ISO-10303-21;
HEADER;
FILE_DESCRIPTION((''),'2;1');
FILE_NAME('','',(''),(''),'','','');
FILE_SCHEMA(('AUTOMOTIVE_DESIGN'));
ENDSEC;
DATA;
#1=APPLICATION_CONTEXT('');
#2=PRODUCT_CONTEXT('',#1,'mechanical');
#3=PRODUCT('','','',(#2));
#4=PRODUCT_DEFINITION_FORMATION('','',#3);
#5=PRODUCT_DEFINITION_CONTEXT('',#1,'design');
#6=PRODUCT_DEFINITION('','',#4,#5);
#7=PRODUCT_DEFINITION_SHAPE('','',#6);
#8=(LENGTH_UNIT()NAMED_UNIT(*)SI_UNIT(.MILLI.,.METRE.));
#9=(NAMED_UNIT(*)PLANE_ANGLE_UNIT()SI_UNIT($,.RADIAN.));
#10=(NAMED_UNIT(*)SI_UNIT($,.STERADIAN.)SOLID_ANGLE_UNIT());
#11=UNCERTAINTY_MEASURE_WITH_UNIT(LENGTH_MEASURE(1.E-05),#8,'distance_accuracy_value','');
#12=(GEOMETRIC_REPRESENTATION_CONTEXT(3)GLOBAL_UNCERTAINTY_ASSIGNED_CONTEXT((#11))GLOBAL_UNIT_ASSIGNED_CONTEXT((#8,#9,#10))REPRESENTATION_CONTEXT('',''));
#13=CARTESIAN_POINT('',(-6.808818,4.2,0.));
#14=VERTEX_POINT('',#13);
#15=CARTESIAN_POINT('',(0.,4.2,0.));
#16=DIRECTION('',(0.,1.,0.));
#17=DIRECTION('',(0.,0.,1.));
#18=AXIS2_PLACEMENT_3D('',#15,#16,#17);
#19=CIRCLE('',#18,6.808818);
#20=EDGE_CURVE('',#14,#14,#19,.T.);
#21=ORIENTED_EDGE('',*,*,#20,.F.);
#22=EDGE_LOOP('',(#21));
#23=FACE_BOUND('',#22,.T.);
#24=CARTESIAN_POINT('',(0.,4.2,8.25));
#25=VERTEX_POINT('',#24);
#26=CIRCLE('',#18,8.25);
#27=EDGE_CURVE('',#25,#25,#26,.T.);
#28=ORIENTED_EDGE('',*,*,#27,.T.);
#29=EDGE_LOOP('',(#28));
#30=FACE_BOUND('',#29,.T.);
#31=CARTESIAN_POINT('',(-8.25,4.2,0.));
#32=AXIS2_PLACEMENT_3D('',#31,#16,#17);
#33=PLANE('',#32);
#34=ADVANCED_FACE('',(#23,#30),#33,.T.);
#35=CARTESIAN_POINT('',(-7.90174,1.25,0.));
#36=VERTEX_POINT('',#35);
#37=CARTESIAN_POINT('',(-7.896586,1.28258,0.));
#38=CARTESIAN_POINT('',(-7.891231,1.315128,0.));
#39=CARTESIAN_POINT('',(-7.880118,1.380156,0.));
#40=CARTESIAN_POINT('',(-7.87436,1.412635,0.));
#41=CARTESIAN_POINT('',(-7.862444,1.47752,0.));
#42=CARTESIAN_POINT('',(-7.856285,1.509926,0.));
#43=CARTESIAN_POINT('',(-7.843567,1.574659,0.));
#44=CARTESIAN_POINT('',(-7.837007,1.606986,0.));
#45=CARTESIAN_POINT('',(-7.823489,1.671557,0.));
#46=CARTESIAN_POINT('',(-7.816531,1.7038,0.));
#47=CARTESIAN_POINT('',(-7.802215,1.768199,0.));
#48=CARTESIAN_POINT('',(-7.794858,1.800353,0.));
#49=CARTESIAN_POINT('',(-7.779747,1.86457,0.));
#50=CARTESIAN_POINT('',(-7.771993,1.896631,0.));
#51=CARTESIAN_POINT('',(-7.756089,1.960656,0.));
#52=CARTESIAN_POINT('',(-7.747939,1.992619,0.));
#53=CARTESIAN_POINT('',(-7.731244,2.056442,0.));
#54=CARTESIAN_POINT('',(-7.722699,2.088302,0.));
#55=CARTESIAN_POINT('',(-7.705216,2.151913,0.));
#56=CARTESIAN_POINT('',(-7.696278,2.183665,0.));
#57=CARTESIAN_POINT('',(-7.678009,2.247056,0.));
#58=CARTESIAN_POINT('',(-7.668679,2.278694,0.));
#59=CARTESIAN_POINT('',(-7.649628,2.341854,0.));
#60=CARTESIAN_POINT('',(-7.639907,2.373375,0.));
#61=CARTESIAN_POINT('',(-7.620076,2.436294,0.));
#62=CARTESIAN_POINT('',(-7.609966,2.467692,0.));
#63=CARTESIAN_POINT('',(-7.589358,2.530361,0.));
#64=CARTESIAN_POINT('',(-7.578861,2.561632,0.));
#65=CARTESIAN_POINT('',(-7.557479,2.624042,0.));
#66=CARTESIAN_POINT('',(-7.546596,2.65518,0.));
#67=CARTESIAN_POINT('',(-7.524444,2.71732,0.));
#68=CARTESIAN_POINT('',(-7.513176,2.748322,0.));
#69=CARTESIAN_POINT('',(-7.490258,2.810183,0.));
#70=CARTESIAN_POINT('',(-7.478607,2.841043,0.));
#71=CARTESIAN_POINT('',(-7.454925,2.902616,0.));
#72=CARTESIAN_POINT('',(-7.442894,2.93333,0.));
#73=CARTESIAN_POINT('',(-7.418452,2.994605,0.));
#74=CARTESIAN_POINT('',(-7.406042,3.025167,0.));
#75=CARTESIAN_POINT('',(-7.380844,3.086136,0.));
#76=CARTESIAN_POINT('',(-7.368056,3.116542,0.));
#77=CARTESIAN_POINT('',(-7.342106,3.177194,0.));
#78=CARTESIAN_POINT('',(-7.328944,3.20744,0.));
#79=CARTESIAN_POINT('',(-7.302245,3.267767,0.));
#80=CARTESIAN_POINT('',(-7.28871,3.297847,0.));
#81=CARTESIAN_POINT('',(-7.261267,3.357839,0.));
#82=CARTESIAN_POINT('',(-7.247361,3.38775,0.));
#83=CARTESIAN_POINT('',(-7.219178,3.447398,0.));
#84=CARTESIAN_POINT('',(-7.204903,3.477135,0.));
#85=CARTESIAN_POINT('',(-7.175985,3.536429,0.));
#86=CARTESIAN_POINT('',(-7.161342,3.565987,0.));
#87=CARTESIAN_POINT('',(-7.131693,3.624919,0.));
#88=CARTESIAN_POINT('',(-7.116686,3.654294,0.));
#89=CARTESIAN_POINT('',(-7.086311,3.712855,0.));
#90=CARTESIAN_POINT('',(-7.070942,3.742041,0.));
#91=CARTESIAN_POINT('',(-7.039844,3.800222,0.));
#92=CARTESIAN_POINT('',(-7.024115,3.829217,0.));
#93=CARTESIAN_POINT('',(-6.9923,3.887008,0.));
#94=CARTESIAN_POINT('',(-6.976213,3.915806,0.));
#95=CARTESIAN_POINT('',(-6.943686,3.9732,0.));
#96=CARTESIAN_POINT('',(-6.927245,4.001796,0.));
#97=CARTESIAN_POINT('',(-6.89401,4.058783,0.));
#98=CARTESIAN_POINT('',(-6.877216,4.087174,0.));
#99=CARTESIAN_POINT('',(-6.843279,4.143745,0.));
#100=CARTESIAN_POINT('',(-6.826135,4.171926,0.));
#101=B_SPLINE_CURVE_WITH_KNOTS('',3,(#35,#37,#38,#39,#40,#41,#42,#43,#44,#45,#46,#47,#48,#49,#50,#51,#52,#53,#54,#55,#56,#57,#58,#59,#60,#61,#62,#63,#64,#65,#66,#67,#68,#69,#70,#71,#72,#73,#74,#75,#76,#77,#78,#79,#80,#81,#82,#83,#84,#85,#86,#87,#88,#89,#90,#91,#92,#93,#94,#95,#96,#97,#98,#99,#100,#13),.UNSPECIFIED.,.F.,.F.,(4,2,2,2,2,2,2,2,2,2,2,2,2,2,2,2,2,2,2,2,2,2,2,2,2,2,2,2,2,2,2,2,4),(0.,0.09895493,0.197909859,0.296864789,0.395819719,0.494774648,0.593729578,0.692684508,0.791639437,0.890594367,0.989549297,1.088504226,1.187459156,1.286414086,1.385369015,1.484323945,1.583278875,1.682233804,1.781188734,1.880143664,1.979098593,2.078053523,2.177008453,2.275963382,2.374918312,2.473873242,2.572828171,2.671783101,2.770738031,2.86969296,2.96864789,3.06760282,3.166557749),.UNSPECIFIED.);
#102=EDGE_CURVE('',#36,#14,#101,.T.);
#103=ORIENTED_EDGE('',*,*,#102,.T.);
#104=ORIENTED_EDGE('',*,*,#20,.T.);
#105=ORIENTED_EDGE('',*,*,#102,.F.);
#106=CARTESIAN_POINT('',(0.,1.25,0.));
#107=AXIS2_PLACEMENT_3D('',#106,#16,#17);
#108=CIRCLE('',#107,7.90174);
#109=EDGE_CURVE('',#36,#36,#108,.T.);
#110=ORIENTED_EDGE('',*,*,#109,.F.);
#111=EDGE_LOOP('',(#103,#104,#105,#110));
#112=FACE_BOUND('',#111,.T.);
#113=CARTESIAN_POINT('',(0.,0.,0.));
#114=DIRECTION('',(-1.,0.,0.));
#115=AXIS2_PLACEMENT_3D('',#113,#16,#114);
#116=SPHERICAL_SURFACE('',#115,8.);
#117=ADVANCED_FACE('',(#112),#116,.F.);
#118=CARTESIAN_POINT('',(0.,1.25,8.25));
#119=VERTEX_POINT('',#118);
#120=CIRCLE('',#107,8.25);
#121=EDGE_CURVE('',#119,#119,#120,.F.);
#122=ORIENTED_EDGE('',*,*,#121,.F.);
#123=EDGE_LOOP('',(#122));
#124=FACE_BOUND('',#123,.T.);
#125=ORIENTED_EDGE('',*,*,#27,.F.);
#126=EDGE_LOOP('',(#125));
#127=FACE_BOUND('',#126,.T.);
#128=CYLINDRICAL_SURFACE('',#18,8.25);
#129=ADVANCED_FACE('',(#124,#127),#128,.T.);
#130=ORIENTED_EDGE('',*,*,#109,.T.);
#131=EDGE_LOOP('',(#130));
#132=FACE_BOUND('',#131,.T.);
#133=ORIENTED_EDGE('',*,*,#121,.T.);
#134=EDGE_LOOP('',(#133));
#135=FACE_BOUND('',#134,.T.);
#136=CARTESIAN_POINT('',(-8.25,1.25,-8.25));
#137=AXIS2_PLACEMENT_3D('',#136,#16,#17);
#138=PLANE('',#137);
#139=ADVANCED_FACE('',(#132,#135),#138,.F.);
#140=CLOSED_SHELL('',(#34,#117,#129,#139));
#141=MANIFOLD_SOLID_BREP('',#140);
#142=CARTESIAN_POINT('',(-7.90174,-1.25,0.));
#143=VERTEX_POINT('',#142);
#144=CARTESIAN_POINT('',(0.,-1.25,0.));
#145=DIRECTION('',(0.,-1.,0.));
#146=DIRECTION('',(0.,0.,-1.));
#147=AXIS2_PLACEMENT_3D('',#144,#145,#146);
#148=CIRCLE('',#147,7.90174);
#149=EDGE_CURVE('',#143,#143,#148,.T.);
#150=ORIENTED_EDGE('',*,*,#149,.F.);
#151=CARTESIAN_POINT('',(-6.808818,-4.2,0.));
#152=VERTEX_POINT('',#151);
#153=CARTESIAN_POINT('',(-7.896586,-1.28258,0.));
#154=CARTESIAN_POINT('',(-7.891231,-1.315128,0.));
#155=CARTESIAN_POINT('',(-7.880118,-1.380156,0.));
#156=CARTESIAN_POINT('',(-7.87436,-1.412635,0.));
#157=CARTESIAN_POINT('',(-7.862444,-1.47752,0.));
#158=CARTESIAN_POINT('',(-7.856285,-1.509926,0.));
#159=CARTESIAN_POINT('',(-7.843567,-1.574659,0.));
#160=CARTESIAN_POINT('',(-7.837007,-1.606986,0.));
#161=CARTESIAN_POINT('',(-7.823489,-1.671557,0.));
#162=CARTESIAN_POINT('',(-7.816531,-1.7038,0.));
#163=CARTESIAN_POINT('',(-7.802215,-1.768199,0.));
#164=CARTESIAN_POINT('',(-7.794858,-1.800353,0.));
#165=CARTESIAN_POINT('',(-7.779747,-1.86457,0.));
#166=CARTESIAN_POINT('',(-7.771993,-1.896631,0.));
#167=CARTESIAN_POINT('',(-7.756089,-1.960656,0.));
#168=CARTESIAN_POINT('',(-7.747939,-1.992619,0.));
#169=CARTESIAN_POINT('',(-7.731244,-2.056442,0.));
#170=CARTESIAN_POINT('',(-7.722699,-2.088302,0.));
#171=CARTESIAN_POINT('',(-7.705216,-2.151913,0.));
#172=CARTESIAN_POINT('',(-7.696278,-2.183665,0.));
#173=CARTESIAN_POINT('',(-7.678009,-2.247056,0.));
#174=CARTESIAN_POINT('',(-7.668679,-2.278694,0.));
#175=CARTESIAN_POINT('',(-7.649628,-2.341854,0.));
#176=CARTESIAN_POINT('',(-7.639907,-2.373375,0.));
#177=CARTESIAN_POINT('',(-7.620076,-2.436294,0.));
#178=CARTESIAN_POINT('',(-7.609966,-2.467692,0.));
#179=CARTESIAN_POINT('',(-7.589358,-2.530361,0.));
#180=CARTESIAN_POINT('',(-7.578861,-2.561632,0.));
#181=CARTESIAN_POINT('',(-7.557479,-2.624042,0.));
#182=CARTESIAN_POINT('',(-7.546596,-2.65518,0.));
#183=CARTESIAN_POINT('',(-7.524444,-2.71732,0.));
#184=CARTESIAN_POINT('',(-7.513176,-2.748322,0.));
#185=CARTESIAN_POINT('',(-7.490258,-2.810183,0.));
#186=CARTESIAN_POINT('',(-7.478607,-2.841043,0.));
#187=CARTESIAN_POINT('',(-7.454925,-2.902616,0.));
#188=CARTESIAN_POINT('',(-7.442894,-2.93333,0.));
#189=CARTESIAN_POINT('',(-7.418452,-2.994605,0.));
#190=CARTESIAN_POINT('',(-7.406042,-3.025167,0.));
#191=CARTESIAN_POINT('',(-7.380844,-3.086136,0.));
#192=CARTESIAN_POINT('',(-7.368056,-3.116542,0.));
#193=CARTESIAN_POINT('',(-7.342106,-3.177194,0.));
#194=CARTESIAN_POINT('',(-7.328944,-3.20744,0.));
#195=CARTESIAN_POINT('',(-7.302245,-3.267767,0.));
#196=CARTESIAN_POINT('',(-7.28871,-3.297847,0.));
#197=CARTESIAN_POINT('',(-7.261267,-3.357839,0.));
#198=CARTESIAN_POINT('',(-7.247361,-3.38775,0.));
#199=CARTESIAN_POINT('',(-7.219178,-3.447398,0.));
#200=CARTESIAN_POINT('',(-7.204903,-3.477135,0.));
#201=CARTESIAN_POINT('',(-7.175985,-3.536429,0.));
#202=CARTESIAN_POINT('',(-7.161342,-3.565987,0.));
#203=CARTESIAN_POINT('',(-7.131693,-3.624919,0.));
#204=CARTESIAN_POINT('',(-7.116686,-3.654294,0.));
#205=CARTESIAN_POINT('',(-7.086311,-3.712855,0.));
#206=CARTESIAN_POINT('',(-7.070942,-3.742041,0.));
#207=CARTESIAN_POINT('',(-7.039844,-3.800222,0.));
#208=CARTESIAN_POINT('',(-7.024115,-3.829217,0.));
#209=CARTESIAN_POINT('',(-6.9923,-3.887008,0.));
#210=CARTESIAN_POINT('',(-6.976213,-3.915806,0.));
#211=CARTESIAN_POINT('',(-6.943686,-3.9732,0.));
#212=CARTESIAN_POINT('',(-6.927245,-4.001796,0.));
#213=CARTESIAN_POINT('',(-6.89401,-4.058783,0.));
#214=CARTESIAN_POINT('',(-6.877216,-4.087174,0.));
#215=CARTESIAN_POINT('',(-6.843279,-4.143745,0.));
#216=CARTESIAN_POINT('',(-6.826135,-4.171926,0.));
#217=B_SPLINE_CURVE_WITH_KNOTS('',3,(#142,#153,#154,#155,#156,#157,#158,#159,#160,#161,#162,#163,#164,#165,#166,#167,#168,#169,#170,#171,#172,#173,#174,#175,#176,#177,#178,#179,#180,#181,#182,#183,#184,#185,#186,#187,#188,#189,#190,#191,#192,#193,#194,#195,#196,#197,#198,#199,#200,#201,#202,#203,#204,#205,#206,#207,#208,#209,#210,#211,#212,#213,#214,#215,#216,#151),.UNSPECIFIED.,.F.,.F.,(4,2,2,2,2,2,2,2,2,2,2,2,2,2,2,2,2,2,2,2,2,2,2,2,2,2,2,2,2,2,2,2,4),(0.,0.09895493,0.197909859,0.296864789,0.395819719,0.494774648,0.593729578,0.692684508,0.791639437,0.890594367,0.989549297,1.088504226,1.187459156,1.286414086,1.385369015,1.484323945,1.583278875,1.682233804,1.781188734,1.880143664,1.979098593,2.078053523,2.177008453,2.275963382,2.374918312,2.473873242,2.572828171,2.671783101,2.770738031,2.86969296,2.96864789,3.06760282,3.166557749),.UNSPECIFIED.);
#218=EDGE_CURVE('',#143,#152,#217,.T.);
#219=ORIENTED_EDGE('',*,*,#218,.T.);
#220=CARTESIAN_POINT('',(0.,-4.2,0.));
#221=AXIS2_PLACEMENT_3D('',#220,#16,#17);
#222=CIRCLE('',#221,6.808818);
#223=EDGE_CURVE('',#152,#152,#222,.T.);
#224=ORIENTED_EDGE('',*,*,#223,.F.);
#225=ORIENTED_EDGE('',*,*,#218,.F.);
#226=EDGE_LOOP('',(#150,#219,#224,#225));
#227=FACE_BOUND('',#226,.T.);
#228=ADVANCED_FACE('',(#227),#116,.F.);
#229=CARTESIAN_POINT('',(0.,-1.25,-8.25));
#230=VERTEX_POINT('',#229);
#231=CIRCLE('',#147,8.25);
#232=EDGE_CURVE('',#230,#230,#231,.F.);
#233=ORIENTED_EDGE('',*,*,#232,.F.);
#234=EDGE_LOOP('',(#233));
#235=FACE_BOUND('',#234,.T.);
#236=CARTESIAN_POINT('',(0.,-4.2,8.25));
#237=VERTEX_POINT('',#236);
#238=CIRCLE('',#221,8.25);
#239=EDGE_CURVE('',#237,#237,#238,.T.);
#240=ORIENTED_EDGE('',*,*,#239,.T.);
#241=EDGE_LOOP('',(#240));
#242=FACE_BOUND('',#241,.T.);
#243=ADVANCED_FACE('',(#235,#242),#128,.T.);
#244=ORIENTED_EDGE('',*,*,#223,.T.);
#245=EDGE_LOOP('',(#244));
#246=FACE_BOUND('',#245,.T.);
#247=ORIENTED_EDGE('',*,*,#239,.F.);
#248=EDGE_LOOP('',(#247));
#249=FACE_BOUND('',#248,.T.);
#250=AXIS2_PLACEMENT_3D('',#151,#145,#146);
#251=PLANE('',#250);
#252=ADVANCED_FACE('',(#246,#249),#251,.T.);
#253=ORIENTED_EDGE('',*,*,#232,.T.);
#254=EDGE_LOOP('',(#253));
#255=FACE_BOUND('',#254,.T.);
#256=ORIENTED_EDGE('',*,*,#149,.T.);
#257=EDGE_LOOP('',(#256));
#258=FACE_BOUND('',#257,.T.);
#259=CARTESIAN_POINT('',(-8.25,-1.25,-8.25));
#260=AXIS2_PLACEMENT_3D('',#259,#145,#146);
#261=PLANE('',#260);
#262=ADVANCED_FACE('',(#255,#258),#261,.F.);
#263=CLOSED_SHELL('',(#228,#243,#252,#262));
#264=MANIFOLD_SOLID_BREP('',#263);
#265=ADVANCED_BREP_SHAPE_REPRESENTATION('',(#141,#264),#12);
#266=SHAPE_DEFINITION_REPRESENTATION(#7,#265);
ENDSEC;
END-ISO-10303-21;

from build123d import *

# Parameters (mm, degrees)
CUT_EXTRUDE1_DEPTH      = 13.400201611
CUT_EXTRUDE1_DEPTH_BACK = 13.400201611
SKETCH3_W               = 16.5
SKETCH3_H               = 2.5


with BuildPart() as part:
    # Sketch2 → Revolve1 (revolve)
    with BuildSketch(Plane.XY):
        with BuildLine():
            Line((-8.25, -4.2), (-8.25, 4.2))
            Line((-8.25, 4.2), (-6.808817812, 4.2))
            ThreePointArc((-6.808817812, 4.2), (-8, 0), (-6.808817812, -4.2))
            Line((-6.808817812, -4.2), (-8.25, -4.2))
        make_face()
    revolve(axis=Axis((0, 4.2, 0), (0, -1, 0)))

    # Sketch3 → Cut-Extrude1 (cut, two sides: drawn at the far end of the back side and taken through both)
    with BuildSketch(Plane.XY.offset(-CUT_EXTRUDE1_DEPTH_BACK)):
        Rectangle(SKETCH3_W, SKETCH3_H)
    extrude(amount=CUT_EXTRUDE1_DEPTH + CUT_EXTRUDE1_DEPTH_BACK, mode=Mode.SUBTRACT)


with BuildPart() as cut_extrude1_piece_1:
    # of the separate pieces the step leaves, piece 1, a body of its own (cut_extrude1_pieces)
    add(part.part.solids().sort_by_distance((-6.808817812, -4.2, 0))[0])


with BuildPart() as cut_extrude1_piece_2:
    # of the separate pieces the step leaves, piece 2, a body of its own (cut_extrude1_pieces)
    add(part.part.solids().sort_by_distance((-6.808817812, 4.2, 0))[0])


solid = Compound([cut_extrude1_piece_1.part, cut_extrude1_piece_2.part])
